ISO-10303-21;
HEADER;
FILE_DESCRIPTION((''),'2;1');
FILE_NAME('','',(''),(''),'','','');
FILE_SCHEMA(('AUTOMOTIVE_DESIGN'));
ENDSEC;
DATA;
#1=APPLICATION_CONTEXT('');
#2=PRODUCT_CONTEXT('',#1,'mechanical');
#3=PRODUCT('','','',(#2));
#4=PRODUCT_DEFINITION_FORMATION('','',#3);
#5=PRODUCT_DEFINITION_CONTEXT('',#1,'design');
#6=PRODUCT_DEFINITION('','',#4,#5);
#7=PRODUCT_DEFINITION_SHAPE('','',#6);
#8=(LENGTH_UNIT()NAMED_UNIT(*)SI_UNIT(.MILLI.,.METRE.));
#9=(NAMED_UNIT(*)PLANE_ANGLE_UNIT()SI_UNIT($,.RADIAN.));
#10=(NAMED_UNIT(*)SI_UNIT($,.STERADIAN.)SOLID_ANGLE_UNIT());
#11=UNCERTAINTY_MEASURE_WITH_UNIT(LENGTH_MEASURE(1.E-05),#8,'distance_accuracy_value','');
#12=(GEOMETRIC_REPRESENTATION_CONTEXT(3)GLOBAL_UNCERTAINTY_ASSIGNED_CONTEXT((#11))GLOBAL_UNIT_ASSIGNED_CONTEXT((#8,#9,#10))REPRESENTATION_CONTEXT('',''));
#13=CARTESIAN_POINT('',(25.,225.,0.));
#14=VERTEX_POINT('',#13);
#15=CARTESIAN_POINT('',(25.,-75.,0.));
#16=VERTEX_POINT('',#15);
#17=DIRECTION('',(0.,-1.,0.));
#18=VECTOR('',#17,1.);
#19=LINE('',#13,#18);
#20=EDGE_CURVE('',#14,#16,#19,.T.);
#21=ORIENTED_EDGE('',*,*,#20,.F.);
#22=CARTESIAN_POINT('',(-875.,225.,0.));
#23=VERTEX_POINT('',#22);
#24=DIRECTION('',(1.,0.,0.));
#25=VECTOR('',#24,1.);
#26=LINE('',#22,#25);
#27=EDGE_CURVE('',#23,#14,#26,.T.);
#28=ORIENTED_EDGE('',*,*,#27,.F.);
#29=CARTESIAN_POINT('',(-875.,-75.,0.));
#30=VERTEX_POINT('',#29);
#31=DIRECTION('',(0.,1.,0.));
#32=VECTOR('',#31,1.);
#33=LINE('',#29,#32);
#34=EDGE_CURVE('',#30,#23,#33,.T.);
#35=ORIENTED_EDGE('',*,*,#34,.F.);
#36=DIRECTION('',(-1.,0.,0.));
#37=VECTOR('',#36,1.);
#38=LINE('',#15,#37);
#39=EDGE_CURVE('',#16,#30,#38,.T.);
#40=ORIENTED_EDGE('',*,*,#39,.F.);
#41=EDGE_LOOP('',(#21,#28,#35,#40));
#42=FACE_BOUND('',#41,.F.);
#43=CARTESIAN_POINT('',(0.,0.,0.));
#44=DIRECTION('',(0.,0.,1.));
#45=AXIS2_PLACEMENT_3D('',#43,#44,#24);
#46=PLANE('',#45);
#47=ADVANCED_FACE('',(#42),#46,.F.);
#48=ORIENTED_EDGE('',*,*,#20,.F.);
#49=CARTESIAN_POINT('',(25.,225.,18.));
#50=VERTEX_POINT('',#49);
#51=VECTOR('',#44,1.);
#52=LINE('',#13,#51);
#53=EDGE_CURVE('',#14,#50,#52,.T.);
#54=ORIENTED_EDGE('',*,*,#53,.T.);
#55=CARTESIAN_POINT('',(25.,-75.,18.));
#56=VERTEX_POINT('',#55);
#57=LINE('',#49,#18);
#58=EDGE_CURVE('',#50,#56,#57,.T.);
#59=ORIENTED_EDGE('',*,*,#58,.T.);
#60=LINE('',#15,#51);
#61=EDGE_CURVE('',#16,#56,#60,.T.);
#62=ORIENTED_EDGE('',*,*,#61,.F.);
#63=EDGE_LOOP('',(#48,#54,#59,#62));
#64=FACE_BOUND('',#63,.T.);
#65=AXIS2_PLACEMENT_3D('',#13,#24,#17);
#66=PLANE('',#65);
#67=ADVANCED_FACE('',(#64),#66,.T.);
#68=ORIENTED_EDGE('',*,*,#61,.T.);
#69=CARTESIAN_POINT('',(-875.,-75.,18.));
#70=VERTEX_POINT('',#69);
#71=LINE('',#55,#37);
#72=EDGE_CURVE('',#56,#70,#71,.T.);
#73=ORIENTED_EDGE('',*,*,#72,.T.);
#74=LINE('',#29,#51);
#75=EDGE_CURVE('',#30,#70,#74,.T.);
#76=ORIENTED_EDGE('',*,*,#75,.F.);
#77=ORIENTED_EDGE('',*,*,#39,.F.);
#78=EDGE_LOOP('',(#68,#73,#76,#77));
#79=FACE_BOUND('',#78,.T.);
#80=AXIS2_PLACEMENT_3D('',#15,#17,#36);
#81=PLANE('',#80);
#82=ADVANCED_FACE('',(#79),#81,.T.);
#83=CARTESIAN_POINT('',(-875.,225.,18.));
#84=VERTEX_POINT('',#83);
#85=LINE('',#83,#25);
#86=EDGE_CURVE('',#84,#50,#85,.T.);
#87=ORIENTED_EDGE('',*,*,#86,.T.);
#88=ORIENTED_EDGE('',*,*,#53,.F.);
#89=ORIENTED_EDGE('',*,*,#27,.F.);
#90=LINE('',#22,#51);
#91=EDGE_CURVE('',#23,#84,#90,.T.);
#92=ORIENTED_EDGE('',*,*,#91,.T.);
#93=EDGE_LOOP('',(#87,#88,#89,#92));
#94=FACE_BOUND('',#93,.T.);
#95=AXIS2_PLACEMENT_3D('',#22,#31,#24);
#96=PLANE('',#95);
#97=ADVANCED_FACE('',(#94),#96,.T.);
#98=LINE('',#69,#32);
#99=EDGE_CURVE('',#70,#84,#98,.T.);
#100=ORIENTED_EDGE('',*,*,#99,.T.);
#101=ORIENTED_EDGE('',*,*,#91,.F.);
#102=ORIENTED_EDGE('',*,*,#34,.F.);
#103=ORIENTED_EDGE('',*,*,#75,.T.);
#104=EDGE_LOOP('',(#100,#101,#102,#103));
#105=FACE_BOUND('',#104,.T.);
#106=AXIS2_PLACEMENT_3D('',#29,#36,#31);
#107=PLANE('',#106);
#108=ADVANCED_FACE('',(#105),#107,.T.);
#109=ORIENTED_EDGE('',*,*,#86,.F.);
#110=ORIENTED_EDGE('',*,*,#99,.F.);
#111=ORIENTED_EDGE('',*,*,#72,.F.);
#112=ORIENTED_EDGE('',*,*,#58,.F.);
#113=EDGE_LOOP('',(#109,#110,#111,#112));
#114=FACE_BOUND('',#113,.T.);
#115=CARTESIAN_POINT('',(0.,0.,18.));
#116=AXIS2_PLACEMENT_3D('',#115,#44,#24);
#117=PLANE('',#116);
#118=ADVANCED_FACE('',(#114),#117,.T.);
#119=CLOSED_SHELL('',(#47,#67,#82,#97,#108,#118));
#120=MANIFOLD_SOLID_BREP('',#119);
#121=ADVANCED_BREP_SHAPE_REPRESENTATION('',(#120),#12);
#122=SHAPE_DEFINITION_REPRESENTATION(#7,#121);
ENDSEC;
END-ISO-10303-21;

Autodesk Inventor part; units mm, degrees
ref_plane "YZ Plane" through (0, 0, 0) normal (1, 0, 0) x (0, 1, 0)
ref_plane "XZ Plane" through (0, 0, 0) normal (0, 1, 0) x (-1, 0, 0)
ref_plane "XY Plane" through (0, 0, 0) normal (0, 0, 1) x (1, 0, 0)
sketch "Sketch1" plane through (0, 0, 0) normal (0, 0, 1) x (1, 0, 0)
  circle A0 centre (-850, 150) radius 10.65 projected
  circle A1 centre (0, 150) radius 10.65 projected
  line L0 (-875, 225) -> (25, 225)
  line L1 (25, 225) -> (25, -75)
  line L2 (25, -75) -> (-875, -75)
  line L3 (-875, -75) -> (-875, 225)
  point P0 (0, 0)
  dimension "d0" = 75
  dimension "d1" = 25
  dimension "d2" = 25
  dimension "d3" = 75
extrude "Extrusion1" add sketch "Sketch1" along normal blind 18 contours A0 | A1 | L0 L1 L2 L3
properties part number "Estante01" material "Wood (Birch)"
